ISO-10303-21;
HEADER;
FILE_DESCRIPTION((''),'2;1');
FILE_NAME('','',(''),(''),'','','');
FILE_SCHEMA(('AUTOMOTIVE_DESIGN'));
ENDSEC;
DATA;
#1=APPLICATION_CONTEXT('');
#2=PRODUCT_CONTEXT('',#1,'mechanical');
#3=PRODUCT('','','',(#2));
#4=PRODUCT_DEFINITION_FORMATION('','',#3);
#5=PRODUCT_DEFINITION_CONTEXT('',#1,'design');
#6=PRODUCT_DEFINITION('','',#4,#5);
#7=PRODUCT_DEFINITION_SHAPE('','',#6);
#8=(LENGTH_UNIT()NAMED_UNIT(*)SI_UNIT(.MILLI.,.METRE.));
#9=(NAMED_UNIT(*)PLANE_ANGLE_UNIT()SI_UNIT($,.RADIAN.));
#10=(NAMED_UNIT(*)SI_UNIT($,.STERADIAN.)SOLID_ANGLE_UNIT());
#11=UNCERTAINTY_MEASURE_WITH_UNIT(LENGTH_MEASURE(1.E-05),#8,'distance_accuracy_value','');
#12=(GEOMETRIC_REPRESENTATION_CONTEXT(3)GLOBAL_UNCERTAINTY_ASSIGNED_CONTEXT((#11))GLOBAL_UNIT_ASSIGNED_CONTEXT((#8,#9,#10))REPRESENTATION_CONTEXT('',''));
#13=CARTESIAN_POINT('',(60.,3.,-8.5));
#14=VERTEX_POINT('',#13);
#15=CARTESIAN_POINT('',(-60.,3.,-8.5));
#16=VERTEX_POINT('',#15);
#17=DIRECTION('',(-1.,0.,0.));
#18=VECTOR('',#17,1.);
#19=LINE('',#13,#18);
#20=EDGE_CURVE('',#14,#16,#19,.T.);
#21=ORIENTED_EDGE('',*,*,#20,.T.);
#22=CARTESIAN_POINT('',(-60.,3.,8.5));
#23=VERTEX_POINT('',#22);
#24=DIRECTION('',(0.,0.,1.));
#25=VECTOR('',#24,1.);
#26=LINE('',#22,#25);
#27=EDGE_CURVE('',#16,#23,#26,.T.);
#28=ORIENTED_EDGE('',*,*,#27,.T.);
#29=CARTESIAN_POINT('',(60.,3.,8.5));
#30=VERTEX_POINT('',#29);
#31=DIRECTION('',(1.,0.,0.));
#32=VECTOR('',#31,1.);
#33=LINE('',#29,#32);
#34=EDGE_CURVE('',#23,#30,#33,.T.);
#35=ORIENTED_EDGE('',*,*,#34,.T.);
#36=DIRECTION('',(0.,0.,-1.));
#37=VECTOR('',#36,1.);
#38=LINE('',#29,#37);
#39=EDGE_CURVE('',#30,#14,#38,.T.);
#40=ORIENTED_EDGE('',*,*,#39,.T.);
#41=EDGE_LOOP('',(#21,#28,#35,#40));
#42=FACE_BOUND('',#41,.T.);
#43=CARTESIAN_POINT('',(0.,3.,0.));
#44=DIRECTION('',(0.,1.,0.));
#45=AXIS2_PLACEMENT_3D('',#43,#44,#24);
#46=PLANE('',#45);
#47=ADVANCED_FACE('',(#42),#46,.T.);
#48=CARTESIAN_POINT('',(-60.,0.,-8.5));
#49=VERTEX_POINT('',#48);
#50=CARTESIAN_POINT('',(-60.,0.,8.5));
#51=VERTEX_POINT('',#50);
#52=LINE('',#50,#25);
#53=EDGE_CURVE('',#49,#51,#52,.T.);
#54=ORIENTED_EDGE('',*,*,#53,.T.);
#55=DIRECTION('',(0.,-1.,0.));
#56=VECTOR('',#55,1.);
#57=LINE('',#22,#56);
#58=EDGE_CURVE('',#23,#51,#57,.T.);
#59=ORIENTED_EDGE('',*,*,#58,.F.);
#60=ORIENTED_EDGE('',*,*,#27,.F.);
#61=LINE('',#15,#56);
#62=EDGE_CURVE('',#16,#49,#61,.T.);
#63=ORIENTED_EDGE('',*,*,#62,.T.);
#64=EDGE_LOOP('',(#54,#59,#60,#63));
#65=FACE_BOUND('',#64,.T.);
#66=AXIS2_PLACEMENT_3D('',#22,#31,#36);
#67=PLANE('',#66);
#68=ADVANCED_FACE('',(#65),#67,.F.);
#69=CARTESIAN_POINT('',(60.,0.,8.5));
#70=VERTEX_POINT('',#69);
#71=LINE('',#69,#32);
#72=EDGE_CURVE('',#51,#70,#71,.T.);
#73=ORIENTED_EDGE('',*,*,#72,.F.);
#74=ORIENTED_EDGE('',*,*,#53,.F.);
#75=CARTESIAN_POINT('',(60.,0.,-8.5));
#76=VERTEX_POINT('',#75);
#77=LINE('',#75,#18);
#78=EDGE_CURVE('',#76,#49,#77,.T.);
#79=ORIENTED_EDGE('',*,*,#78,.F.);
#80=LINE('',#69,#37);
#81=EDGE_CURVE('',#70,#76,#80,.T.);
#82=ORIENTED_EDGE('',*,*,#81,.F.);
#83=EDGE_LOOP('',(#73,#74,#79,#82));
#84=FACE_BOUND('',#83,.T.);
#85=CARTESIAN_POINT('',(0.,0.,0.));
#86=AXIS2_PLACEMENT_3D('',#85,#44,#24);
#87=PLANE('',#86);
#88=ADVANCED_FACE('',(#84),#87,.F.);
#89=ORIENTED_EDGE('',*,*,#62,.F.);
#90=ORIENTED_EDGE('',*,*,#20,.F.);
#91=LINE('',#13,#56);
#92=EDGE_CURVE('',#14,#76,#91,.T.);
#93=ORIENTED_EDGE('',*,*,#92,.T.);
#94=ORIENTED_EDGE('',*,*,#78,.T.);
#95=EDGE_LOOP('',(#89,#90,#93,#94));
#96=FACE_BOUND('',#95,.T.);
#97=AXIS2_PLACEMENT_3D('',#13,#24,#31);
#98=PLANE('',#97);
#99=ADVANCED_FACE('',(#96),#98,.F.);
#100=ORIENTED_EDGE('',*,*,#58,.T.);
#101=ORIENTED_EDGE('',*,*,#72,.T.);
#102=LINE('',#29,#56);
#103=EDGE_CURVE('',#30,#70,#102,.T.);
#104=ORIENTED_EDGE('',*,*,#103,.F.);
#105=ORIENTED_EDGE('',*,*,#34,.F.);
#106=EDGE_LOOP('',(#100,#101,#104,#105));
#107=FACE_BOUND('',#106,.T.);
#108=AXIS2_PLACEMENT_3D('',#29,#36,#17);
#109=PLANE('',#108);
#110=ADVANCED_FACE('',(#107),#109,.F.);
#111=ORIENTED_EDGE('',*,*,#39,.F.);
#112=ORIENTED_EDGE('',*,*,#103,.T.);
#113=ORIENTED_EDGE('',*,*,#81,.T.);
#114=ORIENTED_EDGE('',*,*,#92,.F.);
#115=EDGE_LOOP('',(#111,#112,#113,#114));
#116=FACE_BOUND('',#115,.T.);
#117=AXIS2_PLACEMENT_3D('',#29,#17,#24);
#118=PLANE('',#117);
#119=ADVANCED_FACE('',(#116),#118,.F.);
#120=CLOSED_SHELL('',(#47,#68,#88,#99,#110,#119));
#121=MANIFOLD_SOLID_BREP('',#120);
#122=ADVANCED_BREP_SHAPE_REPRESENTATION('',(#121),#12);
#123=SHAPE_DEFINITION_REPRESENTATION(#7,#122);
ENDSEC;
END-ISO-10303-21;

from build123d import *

# Parameters (mm, degrees)
CROQUIS1_W              = 120
CROQUIS1_H              = 17
SALIENTE_EXTRUIR1_DEPTH = 3


with BuildPart() as part:
    # Croquis1 → Saliente-Extruir1 (new body)
    with BuildSketch(Plane(origin=(0, 0, 0), x_dir=(1, 0, 0), z_dir=(0, 1, 0))):
        Rectangle(CROQUIS1_W, CROQUIS1_H)
    extrude(amount=SALIENTE_EXTRUIR1_DEPTH)


solid = part.part
